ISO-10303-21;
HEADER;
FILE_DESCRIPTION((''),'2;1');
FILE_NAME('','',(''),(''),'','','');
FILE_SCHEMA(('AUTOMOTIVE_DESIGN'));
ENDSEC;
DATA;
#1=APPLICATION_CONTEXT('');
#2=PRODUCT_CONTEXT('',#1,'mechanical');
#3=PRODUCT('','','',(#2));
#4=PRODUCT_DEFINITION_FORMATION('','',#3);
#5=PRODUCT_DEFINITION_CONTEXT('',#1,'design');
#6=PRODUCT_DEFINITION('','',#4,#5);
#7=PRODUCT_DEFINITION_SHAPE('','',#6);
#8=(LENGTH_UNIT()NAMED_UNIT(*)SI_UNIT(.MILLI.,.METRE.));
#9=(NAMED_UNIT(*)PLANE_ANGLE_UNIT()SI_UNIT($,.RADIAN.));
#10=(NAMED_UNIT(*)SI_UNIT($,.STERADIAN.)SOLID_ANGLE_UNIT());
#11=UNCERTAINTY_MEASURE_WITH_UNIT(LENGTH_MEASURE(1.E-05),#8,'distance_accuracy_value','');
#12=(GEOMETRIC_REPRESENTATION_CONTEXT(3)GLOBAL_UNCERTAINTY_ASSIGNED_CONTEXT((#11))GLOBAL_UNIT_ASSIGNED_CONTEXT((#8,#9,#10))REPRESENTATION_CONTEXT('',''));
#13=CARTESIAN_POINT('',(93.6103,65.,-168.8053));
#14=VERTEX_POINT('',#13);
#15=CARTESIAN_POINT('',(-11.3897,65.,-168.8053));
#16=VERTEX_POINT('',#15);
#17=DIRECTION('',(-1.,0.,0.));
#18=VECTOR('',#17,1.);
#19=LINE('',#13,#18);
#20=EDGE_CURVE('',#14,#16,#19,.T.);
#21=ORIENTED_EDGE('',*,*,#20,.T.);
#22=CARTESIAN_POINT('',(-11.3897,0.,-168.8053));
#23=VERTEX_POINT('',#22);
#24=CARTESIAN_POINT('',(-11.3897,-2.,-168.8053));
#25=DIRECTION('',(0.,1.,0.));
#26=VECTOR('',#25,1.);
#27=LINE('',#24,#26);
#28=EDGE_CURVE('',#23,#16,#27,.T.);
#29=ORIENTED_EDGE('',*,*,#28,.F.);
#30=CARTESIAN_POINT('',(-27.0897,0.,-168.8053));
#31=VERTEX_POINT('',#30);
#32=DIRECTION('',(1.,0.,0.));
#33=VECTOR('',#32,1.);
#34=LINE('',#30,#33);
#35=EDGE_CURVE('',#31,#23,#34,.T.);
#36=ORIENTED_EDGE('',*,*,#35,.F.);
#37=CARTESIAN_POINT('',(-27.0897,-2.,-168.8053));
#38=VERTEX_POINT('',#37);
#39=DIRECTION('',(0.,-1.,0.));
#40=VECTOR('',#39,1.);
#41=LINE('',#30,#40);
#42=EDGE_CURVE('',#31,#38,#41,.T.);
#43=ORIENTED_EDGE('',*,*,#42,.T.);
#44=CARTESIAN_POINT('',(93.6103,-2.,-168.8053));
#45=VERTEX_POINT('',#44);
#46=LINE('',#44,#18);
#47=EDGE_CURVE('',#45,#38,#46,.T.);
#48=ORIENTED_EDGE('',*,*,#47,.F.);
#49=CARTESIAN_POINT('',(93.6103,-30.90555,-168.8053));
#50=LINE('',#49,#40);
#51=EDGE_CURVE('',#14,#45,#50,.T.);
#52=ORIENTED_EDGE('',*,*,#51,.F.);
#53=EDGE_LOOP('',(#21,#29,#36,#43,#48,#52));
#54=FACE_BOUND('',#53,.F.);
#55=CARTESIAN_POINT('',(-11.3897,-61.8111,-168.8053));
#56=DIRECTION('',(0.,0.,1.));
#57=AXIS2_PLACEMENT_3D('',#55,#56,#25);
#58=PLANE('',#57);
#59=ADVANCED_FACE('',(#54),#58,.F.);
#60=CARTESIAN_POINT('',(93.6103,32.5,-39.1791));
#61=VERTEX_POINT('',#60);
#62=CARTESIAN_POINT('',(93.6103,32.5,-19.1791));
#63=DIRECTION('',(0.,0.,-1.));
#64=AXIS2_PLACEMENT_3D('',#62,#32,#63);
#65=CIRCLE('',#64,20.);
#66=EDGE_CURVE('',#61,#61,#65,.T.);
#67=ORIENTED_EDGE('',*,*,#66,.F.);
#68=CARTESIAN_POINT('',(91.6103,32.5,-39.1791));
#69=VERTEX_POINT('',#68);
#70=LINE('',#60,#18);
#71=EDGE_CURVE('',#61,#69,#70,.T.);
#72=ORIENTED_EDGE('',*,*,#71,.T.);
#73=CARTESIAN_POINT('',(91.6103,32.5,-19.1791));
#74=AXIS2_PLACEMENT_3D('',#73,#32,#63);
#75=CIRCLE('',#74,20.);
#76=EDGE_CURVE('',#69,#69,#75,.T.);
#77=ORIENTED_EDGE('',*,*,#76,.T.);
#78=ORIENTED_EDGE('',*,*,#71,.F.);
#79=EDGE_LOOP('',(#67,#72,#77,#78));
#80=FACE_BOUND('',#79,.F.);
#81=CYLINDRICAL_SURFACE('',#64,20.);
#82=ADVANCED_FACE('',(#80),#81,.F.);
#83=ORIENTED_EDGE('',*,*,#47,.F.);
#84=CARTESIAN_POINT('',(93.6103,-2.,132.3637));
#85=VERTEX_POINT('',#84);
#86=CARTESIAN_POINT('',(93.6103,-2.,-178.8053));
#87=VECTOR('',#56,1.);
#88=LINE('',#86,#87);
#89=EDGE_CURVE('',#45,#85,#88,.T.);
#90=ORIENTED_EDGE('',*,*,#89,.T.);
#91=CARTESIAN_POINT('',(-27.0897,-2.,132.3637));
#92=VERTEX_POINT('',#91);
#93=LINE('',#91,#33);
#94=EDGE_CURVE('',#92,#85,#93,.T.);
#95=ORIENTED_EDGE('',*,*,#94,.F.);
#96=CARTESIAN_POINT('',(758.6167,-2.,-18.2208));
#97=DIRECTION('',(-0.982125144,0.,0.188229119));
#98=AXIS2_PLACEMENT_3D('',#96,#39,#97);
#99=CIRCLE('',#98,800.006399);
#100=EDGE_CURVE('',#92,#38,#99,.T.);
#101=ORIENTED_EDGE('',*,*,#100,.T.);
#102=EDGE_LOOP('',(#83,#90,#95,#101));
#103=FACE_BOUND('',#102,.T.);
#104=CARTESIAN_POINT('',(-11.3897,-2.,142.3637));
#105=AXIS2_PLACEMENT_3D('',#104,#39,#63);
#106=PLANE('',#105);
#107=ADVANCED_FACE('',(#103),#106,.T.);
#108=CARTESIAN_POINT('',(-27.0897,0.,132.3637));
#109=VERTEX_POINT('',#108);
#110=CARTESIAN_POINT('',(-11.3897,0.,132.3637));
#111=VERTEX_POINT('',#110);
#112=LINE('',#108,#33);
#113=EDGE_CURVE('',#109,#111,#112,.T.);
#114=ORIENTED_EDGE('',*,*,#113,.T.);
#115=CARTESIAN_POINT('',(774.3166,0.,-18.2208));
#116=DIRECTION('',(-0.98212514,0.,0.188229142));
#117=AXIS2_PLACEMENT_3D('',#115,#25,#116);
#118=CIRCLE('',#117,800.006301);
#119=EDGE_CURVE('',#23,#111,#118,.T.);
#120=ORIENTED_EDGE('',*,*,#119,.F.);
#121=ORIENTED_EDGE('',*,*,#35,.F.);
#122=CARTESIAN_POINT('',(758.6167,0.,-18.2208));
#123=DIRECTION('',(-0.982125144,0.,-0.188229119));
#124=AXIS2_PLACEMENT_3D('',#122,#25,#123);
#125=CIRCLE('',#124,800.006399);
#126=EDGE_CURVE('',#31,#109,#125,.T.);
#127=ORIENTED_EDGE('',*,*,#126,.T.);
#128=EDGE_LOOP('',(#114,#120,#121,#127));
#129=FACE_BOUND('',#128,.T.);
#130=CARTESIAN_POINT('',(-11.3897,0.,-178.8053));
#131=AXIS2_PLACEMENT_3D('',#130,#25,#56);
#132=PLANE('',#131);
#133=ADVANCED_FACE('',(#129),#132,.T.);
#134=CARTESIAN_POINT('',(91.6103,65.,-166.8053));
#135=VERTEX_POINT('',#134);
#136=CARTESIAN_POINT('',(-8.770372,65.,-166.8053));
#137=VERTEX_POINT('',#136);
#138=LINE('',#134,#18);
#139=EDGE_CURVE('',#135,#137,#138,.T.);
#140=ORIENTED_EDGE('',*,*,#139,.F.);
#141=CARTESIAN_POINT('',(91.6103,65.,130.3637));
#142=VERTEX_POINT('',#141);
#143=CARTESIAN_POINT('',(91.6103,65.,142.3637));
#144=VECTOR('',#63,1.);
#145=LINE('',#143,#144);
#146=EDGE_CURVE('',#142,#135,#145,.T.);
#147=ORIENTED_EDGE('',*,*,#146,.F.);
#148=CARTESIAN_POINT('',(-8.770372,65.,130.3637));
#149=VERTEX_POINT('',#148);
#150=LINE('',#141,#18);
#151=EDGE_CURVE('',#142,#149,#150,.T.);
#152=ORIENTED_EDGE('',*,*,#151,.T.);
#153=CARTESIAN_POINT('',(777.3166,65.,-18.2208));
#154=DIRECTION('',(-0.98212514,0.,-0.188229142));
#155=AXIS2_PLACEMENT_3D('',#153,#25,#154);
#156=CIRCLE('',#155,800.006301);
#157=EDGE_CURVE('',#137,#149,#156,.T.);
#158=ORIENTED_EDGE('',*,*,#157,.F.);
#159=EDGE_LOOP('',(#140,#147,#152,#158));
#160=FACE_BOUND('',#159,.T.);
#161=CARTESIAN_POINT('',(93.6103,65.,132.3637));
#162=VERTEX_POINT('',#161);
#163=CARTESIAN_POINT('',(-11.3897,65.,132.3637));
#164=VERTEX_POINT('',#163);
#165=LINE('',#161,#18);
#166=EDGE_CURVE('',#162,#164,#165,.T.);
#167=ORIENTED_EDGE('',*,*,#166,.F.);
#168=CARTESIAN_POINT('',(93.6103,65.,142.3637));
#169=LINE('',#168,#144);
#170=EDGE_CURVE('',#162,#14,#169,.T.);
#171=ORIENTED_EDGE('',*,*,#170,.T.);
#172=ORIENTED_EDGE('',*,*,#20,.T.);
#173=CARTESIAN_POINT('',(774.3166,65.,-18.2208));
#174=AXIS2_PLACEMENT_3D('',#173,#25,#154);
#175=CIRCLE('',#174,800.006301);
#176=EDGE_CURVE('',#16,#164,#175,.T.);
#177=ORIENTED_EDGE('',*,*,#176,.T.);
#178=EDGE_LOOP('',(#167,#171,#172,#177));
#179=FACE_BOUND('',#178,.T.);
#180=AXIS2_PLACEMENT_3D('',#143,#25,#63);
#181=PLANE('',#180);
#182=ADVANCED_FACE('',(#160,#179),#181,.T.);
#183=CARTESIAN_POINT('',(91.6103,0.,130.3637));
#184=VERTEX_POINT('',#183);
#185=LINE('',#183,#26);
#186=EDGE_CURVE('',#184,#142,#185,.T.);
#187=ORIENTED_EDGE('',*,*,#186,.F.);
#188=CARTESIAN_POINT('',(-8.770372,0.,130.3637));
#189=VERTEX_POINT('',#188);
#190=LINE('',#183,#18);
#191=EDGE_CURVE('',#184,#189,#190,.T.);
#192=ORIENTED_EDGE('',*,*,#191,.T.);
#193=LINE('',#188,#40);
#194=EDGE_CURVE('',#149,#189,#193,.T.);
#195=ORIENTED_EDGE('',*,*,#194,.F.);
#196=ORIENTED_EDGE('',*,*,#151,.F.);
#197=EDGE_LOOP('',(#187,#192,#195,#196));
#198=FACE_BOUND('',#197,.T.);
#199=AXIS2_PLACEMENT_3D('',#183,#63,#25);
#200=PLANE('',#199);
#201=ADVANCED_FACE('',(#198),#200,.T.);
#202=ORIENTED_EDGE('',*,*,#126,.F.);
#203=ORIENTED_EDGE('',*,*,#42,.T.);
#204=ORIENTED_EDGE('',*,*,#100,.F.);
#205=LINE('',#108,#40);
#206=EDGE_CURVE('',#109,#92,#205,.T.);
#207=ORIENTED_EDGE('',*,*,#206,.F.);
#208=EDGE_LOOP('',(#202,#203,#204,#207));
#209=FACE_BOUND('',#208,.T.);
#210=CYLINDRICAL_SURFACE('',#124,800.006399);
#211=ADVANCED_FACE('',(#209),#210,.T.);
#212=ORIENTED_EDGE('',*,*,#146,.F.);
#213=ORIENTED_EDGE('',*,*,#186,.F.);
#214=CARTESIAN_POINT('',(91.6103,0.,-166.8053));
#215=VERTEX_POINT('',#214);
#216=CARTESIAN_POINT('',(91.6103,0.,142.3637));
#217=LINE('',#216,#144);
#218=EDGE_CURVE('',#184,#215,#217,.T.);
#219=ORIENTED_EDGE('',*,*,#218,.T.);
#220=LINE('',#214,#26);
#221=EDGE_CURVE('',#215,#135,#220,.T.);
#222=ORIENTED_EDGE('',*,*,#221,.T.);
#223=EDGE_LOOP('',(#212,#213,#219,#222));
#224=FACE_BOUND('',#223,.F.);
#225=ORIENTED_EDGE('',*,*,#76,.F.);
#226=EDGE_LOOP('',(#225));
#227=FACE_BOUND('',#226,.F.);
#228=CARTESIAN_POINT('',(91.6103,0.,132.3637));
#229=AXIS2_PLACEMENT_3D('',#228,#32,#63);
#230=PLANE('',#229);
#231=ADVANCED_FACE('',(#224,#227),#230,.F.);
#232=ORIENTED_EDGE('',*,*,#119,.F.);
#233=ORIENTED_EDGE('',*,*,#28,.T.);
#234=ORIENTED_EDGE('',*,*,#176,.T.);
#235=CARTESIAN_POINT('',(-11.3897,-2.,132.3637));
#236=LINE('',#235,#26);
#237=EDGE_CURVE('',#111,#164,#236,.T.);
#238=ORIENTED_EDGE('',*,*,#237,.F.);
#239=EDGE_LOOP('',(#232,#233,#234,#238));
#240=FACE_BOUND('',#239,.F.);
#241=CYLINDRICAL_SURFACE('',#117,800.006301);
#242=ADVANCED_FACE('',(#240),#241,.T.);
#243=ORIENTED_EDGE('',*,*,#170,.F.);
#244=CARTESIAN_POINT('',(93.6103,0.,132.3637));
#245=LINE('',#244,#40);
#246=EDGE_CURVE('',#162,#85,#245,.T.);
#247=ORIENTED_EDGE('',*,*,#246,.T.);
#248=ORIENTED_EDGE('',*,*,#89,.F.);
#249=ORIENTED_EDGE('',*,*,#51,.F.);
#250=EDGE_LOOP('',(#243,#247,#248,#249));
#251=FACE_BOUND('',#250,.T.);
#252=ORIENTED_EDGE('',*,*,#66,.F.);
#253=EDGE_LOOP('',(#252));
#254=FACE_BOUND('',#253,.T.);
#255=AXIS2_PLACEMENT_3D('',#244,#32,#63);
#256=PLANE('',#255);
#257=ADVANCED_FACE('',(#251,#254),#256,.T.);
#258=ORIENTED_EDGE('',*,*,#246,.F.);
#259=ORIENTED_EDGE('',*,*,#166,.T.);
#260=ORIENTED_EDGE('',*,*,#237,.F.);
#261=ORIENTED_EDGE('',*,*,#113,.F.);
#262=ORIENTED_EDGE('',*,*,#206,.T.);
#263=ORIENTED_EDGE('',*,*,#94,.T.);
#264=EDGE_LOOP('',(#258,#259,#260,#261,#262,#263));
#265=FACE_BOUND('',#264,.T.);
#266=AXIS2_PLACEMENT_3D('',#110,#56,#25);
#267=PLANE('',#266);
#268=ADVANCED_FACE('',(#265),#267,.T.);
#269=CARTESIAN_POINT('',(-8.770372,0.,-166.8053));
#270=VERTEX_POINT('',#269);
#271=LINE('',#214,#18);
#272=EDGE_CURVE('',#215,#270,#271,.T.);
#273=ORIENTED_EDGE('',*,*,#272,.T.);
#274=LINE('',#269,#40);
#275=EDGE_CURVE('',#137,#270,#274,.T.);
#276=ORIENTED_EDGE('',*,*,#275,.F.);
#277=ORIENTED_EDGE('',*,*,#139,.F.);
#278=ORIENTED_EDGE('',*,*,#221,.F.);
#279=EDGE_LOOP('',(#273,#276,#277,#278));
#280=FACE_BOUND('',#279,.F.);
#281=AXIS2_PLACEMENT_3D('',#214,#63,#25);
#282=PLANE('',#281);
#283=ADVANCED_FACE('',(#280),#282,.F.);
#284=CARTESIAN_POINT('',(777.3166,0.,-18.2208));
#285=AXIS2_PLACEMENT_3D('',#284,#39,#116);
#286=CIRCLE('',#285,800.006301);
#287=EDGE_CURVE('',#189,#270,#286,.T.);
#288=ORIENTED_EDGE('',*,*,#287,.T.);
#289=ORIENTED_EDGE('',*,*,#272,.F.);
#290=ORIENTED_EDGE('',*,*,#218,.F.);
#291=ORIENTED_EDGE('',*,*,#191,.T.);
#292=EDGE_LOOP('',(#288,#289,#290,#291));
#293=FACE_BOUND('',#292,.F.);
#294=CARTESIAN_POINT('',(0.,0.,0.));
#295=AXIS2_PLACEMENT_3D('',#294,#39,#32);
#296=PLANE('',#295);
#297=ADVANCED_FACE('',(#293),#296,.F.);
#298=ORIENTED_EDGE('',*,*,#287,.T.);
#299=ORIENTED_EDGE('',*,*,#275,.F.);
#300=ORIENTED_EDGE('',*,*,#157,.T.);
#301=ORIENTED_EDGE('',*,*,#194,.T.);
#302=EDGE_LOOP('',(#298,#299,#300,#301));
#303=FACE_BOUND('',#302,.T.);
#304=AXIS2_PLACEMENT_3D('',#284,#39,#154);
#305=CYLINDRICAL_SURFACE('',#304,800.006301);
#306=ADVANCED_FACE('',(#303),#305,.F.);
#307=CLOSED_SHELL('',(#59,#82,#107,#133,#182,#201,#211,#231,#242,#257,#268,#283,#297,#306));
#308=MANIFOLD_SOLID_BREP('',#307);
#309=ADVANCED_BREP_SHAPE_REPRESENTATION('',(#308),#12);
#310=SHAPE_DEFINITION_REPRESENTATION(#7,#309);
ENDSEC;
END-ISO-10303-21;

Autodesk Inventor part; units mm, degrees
ref_plane "YZ Plane" through (0, 0, 0) normal (1, 0, 0) x (0, 1, 0)
ref_plane "XZ Plane" through (0, 0, 0) normal (0, 1, 0) x (-1, 0, 0)
ref_plane "XY Plane" through (0, 0, 0) normal (0, 0, 1) x (1, 0, 0)
sketch "Esquisse1" plane through (0, 0, 0) normal (0, 1, 0) x (-1, 0, 0)
  arc A0 (8.3897, -168.8053) -> (8.3897, 132.3637) centre (-777.3166, -18.2208) ccw
  arc A1 (11.3897, -168.8053) -> (11.3897, 132.3637) centre (-774.3166, -18.2208) ccw
  line L0 (11.3897, 132.3637) -> (8.3897, 132.3637)
  line L1 (11.3897, -168.8053) -> (8.3897, -168.8053)
  point P0 (0, 0)
  dimension "d0" = 301.169
extrude "Extrusion1" add sketch "Esquisse1" along normal blind 65
sketch "Esquisse2" plane through (-11.3897, 0, 132.3637) normal (0, 0, 1) x (1, 0, 0)
  line L0 (0, 65) -> (3, 65) projected
  line L1 (0, 0) -> (3, 0) projected
  line L2 (0, 65) -> (3, 65)
  line L3 (3, 65) -> (3, 0)
  line L4 (3, 0) -> (0, 0)
  line L5 (0, 0) -> (0, 65)
  point P0 (11.3897, 0)
extrude "Extrusion2" add sketch "Esquisse2" along normal blind 10
sketch "Esquisse3" plane through (-8.3897, 0, -168.8053) normal (0, 0, -1) x (-1, 0, 0)
  line L0 (0, 0) -> (3, 0) projected
  line L1 (3, 0) -> (3, 65) projected
  line L2 (0, 0) -> (3, 0)
  line L3 (3, 0) -> (3, 65)
  line L4 (3, 65) -> (0, 65)
  line L5 (0, 65) -> (0, 0)
  point P0 (-8.3897, 0)
extrude "Extrusion3" add sketch "Esquisse3" along normal blind 10
sketch "Esquisse4" plane through (-8.3897, 0, 132.3637) normal (1, 0, 0) x (0, 0, -1)
  line L0 (0, 65) -> (-10, 65) projected
  line L1 (-10, 65) -> (-8, 65)
  line L2 (-8, 65) -> (-8, 0)
  line L3 (-8, 0) -> (-10, 0)
  line L4 (-10, 0) -> (-10, 65)
  line L5 (301.169, 0) -> (311.169, 0) projected
  line L6 (301.169, 65) -> (311.169, 65) projected
  line L7 (311.169, 0) -> (309.169, 0)
  line L8 (309.169, 0) -> (309.169, 65)
  line L9 (309.169, 65) -> (311.169, 65)
  line L10 (311.169, 65) -> (311.169, 0)
  point P0 (132.3637, 0)
  point P1 (309.169, 0)
  dimension "d10" = 2
  dimension "d11" = 2
extrude "Extrusion4" add sketch "Esquisse4" along normal blind 100
sketch "Esquisse5" plane through (0, 0, 0) normal (0, -1, 0) x (1, 0, 0)
  line L0 (91.6103, 140.3637) -> (91.6103, 142.3637) projected
  line L1 (-11.3897, 142.3637) -> (91.6103, 142.3637) projected
  line L2 (91.6103, 142.3637) -> (-11.3897, 142.3637)
  line L3 (-11.3897, 132.3637) -> (-11.3897, 142.3637) projected
  line L4 (-11.3897, 142.3637) -> (-11.3897, 132.3637)
  line L5 (91.6103, -176.8053) -> (91.6103, -178.8053) projected
  line L6 (91.6103, 142.3637) -> (91.6103, -178.8053)
  line L7 (-11.3897, -178.8053) -> (91.6103, -178.8053) projected
  line L8 (91.6103, -178.8053) -> (-11.3897, -178.8053)
  line L9 (-11.3897, -168.8053) -> (-11.3897, -178.8053) projected
  line L10 (-11.3897, -178.8053) -> (-11.3897, -168.8053)
  arc A0 (-11.3897, 132.3637) -> (-11.3897, -168.8053) centre (774.3166, -18.2208) ccw
  point P0 (0, 0)
extrude "Extrusion5" add sketch "Esquisse5" along normal blind 2
sketch "Esquisse7" plane through (91.6103, 0, 132.3637) normal (1, 0, 0) x (0, 0, -1)
  line L0 (301.169, -2) -> (311.169, -2) projected
  line L1 (-10, 65) -> (311.169, 65)
  line L2 (311.169, 65) -> (311.169, -2)
  line L3 (311.169, -2) -> (-10, -2)
  line L4 (-10, -2) -> (-10, 65)
  point P0 (132.3637, 0)
extrude "Extrusion6" add sketch "Esquisse7" along normal blind 2
sketch "Esquisse8" plane through (-11.3897, 65, -178.8053) normal (-1, 0, 0) x (0, 0, 1)
  line L0 (0, 0) -> (0, -67) projected
  line L1 (321.169, -67) -> (0, -67) projected
  line L2 (0, -65) -> (321.169, -65)
  line L3 (321.169, -65) -> (321.169, -67)
  line L4 (321.169, -67) -> (0, -67)
  line L5 (0, -67) -> (0, -65)
  point P0 (178.8053, -65)
extrude "Extrusion7" add sketch "Esquisse8" along normal blind 30
sketch "Esquisse9" plane through (-11.3897, 0, -168.8053) normal (0, 1, 0) x (1, 0, 0)
  arc A0 (0, 0) -> (0, -301.169) centre (785.7064, -150.5845) ccw projected
  line L0 (0, 0) -> (0, -301.169)
  line L1 (-30, -311.169) -> (-30, 10) projected
  arc A1 (-15.7, 0) -> (-15.7, -301.169) centre (770.0064, -150.5845) ccw
  line L2 (-15.7, 0) -> (0, 0)
  line L3 (-15.7, -301.169) -> (0, -301.169)
  line L4 (0, -301.169) -> (0, -311.169) projected
  arc A2 (0, 0) -> (0, -301.169) centre (785.7064, -150.5845) ccw
  line L5 (0, 0) -> (0, 10) projected
  line L6 (0, 0) -> (0, 10)
  line L7 (-30, 10) -> (-30, -311.169) projected
  line L8 (0, 10) -> (-30, 10)
  line L9 (-30, 10) -> (-30, -311.169)
  line L10 (0, -311.169) -> (-30, -311.169) projected
  line L11 (0, -311.169) -> (0, -301.169)
  point P0 (11.3897, -168.8053)
  point P1 (-30, -150.5845)
extrude "Extrusion8" cut sketch "Esquisse9" against normal through all contours L2 A1 L1 L8 L5 | L4 L10 L1 A1 L3
sketch "Esquisse10" plane through (93.6103, 0, 132.3637) normal (1, 0, 0) x (0, 0, -1)
  circle A0 centre (151.5428, 32.5) radius 20
  line L0 (311.169, 65) -> (-10, 65) projected
  point P0 (132.3637, 0)
  dimension "d36" = 40
  dimension "d37" = 32.5
extrude "Extrusion9" cut sketch "Esquisse10" against normal blind 10
sketch "Esquisse11" plane through (-11.3897, 65, -178.8053) normal (-1, 0, 0) x (0, 0, 1)
  line L0 (10, -65) -> (10, 0) projected
  line L1 (10, 0) -> (-34.2459, 0)
  line L2 (-34.2459, 0) -> (-34.2459, -126.8111)
  line L3 (-34.2459, -126.8111) -> (10, -126.8111)
  line L4 (10, -126.8111) -> (10, 0)
  line L5 (311.169, -65) -> (311.169, 0) projected
  line L6 (311.169, 0) -> (416.0548, 0)
  line L7 (416.0548, 0) -> (416.0548, -178.3642)
  line L8 (416.0548, -178.3642) -> (311.169, -178.3642)
  line L9 (311.169, -178.3642) -> (311.169, 0)
  point P0 (178.8053, -65)
extrude "Extrusion10" cut sketch "Esquisse11" against normal through all
sketch "Esquisse12" plane through (91.6103, 0, 132.3637) normal (-1, 0, 0) x (0, 0, 1)
  line L0 (-301.169, 0) -> (0, 0) projected
  line L1 (-301.169, 65) -> (0, 65) projected
  line L2 (-301.169, 0) -> (-299.169, 0)
  line L3 (-299.169, 0) -> (-299.169, 65)
  line L4 (-299.169, 65) -> (-301.169, 65)
  line L5 (-301.169, 65) -> (-301.169, 0)
  line L6 (0, 0) -> (-2, 0)
  line L7 (-2, 0) -> (-2, 65)
  line L8 (-2, 65) -> (0, 65)
  line L9 (0, 65) -> (0, 0)
  point P0 (-132.3637, 0)
  point P1 (-2, 0)
  dimension "d42" = 2
  dimension "d43" = 2
extrude "Extrusion11" add sketch "Esquisse12" along normal up to surface contours L5 L1 L3 L0 | L7 L1 L9 L0
properties part number "pièce_fixe_station"
